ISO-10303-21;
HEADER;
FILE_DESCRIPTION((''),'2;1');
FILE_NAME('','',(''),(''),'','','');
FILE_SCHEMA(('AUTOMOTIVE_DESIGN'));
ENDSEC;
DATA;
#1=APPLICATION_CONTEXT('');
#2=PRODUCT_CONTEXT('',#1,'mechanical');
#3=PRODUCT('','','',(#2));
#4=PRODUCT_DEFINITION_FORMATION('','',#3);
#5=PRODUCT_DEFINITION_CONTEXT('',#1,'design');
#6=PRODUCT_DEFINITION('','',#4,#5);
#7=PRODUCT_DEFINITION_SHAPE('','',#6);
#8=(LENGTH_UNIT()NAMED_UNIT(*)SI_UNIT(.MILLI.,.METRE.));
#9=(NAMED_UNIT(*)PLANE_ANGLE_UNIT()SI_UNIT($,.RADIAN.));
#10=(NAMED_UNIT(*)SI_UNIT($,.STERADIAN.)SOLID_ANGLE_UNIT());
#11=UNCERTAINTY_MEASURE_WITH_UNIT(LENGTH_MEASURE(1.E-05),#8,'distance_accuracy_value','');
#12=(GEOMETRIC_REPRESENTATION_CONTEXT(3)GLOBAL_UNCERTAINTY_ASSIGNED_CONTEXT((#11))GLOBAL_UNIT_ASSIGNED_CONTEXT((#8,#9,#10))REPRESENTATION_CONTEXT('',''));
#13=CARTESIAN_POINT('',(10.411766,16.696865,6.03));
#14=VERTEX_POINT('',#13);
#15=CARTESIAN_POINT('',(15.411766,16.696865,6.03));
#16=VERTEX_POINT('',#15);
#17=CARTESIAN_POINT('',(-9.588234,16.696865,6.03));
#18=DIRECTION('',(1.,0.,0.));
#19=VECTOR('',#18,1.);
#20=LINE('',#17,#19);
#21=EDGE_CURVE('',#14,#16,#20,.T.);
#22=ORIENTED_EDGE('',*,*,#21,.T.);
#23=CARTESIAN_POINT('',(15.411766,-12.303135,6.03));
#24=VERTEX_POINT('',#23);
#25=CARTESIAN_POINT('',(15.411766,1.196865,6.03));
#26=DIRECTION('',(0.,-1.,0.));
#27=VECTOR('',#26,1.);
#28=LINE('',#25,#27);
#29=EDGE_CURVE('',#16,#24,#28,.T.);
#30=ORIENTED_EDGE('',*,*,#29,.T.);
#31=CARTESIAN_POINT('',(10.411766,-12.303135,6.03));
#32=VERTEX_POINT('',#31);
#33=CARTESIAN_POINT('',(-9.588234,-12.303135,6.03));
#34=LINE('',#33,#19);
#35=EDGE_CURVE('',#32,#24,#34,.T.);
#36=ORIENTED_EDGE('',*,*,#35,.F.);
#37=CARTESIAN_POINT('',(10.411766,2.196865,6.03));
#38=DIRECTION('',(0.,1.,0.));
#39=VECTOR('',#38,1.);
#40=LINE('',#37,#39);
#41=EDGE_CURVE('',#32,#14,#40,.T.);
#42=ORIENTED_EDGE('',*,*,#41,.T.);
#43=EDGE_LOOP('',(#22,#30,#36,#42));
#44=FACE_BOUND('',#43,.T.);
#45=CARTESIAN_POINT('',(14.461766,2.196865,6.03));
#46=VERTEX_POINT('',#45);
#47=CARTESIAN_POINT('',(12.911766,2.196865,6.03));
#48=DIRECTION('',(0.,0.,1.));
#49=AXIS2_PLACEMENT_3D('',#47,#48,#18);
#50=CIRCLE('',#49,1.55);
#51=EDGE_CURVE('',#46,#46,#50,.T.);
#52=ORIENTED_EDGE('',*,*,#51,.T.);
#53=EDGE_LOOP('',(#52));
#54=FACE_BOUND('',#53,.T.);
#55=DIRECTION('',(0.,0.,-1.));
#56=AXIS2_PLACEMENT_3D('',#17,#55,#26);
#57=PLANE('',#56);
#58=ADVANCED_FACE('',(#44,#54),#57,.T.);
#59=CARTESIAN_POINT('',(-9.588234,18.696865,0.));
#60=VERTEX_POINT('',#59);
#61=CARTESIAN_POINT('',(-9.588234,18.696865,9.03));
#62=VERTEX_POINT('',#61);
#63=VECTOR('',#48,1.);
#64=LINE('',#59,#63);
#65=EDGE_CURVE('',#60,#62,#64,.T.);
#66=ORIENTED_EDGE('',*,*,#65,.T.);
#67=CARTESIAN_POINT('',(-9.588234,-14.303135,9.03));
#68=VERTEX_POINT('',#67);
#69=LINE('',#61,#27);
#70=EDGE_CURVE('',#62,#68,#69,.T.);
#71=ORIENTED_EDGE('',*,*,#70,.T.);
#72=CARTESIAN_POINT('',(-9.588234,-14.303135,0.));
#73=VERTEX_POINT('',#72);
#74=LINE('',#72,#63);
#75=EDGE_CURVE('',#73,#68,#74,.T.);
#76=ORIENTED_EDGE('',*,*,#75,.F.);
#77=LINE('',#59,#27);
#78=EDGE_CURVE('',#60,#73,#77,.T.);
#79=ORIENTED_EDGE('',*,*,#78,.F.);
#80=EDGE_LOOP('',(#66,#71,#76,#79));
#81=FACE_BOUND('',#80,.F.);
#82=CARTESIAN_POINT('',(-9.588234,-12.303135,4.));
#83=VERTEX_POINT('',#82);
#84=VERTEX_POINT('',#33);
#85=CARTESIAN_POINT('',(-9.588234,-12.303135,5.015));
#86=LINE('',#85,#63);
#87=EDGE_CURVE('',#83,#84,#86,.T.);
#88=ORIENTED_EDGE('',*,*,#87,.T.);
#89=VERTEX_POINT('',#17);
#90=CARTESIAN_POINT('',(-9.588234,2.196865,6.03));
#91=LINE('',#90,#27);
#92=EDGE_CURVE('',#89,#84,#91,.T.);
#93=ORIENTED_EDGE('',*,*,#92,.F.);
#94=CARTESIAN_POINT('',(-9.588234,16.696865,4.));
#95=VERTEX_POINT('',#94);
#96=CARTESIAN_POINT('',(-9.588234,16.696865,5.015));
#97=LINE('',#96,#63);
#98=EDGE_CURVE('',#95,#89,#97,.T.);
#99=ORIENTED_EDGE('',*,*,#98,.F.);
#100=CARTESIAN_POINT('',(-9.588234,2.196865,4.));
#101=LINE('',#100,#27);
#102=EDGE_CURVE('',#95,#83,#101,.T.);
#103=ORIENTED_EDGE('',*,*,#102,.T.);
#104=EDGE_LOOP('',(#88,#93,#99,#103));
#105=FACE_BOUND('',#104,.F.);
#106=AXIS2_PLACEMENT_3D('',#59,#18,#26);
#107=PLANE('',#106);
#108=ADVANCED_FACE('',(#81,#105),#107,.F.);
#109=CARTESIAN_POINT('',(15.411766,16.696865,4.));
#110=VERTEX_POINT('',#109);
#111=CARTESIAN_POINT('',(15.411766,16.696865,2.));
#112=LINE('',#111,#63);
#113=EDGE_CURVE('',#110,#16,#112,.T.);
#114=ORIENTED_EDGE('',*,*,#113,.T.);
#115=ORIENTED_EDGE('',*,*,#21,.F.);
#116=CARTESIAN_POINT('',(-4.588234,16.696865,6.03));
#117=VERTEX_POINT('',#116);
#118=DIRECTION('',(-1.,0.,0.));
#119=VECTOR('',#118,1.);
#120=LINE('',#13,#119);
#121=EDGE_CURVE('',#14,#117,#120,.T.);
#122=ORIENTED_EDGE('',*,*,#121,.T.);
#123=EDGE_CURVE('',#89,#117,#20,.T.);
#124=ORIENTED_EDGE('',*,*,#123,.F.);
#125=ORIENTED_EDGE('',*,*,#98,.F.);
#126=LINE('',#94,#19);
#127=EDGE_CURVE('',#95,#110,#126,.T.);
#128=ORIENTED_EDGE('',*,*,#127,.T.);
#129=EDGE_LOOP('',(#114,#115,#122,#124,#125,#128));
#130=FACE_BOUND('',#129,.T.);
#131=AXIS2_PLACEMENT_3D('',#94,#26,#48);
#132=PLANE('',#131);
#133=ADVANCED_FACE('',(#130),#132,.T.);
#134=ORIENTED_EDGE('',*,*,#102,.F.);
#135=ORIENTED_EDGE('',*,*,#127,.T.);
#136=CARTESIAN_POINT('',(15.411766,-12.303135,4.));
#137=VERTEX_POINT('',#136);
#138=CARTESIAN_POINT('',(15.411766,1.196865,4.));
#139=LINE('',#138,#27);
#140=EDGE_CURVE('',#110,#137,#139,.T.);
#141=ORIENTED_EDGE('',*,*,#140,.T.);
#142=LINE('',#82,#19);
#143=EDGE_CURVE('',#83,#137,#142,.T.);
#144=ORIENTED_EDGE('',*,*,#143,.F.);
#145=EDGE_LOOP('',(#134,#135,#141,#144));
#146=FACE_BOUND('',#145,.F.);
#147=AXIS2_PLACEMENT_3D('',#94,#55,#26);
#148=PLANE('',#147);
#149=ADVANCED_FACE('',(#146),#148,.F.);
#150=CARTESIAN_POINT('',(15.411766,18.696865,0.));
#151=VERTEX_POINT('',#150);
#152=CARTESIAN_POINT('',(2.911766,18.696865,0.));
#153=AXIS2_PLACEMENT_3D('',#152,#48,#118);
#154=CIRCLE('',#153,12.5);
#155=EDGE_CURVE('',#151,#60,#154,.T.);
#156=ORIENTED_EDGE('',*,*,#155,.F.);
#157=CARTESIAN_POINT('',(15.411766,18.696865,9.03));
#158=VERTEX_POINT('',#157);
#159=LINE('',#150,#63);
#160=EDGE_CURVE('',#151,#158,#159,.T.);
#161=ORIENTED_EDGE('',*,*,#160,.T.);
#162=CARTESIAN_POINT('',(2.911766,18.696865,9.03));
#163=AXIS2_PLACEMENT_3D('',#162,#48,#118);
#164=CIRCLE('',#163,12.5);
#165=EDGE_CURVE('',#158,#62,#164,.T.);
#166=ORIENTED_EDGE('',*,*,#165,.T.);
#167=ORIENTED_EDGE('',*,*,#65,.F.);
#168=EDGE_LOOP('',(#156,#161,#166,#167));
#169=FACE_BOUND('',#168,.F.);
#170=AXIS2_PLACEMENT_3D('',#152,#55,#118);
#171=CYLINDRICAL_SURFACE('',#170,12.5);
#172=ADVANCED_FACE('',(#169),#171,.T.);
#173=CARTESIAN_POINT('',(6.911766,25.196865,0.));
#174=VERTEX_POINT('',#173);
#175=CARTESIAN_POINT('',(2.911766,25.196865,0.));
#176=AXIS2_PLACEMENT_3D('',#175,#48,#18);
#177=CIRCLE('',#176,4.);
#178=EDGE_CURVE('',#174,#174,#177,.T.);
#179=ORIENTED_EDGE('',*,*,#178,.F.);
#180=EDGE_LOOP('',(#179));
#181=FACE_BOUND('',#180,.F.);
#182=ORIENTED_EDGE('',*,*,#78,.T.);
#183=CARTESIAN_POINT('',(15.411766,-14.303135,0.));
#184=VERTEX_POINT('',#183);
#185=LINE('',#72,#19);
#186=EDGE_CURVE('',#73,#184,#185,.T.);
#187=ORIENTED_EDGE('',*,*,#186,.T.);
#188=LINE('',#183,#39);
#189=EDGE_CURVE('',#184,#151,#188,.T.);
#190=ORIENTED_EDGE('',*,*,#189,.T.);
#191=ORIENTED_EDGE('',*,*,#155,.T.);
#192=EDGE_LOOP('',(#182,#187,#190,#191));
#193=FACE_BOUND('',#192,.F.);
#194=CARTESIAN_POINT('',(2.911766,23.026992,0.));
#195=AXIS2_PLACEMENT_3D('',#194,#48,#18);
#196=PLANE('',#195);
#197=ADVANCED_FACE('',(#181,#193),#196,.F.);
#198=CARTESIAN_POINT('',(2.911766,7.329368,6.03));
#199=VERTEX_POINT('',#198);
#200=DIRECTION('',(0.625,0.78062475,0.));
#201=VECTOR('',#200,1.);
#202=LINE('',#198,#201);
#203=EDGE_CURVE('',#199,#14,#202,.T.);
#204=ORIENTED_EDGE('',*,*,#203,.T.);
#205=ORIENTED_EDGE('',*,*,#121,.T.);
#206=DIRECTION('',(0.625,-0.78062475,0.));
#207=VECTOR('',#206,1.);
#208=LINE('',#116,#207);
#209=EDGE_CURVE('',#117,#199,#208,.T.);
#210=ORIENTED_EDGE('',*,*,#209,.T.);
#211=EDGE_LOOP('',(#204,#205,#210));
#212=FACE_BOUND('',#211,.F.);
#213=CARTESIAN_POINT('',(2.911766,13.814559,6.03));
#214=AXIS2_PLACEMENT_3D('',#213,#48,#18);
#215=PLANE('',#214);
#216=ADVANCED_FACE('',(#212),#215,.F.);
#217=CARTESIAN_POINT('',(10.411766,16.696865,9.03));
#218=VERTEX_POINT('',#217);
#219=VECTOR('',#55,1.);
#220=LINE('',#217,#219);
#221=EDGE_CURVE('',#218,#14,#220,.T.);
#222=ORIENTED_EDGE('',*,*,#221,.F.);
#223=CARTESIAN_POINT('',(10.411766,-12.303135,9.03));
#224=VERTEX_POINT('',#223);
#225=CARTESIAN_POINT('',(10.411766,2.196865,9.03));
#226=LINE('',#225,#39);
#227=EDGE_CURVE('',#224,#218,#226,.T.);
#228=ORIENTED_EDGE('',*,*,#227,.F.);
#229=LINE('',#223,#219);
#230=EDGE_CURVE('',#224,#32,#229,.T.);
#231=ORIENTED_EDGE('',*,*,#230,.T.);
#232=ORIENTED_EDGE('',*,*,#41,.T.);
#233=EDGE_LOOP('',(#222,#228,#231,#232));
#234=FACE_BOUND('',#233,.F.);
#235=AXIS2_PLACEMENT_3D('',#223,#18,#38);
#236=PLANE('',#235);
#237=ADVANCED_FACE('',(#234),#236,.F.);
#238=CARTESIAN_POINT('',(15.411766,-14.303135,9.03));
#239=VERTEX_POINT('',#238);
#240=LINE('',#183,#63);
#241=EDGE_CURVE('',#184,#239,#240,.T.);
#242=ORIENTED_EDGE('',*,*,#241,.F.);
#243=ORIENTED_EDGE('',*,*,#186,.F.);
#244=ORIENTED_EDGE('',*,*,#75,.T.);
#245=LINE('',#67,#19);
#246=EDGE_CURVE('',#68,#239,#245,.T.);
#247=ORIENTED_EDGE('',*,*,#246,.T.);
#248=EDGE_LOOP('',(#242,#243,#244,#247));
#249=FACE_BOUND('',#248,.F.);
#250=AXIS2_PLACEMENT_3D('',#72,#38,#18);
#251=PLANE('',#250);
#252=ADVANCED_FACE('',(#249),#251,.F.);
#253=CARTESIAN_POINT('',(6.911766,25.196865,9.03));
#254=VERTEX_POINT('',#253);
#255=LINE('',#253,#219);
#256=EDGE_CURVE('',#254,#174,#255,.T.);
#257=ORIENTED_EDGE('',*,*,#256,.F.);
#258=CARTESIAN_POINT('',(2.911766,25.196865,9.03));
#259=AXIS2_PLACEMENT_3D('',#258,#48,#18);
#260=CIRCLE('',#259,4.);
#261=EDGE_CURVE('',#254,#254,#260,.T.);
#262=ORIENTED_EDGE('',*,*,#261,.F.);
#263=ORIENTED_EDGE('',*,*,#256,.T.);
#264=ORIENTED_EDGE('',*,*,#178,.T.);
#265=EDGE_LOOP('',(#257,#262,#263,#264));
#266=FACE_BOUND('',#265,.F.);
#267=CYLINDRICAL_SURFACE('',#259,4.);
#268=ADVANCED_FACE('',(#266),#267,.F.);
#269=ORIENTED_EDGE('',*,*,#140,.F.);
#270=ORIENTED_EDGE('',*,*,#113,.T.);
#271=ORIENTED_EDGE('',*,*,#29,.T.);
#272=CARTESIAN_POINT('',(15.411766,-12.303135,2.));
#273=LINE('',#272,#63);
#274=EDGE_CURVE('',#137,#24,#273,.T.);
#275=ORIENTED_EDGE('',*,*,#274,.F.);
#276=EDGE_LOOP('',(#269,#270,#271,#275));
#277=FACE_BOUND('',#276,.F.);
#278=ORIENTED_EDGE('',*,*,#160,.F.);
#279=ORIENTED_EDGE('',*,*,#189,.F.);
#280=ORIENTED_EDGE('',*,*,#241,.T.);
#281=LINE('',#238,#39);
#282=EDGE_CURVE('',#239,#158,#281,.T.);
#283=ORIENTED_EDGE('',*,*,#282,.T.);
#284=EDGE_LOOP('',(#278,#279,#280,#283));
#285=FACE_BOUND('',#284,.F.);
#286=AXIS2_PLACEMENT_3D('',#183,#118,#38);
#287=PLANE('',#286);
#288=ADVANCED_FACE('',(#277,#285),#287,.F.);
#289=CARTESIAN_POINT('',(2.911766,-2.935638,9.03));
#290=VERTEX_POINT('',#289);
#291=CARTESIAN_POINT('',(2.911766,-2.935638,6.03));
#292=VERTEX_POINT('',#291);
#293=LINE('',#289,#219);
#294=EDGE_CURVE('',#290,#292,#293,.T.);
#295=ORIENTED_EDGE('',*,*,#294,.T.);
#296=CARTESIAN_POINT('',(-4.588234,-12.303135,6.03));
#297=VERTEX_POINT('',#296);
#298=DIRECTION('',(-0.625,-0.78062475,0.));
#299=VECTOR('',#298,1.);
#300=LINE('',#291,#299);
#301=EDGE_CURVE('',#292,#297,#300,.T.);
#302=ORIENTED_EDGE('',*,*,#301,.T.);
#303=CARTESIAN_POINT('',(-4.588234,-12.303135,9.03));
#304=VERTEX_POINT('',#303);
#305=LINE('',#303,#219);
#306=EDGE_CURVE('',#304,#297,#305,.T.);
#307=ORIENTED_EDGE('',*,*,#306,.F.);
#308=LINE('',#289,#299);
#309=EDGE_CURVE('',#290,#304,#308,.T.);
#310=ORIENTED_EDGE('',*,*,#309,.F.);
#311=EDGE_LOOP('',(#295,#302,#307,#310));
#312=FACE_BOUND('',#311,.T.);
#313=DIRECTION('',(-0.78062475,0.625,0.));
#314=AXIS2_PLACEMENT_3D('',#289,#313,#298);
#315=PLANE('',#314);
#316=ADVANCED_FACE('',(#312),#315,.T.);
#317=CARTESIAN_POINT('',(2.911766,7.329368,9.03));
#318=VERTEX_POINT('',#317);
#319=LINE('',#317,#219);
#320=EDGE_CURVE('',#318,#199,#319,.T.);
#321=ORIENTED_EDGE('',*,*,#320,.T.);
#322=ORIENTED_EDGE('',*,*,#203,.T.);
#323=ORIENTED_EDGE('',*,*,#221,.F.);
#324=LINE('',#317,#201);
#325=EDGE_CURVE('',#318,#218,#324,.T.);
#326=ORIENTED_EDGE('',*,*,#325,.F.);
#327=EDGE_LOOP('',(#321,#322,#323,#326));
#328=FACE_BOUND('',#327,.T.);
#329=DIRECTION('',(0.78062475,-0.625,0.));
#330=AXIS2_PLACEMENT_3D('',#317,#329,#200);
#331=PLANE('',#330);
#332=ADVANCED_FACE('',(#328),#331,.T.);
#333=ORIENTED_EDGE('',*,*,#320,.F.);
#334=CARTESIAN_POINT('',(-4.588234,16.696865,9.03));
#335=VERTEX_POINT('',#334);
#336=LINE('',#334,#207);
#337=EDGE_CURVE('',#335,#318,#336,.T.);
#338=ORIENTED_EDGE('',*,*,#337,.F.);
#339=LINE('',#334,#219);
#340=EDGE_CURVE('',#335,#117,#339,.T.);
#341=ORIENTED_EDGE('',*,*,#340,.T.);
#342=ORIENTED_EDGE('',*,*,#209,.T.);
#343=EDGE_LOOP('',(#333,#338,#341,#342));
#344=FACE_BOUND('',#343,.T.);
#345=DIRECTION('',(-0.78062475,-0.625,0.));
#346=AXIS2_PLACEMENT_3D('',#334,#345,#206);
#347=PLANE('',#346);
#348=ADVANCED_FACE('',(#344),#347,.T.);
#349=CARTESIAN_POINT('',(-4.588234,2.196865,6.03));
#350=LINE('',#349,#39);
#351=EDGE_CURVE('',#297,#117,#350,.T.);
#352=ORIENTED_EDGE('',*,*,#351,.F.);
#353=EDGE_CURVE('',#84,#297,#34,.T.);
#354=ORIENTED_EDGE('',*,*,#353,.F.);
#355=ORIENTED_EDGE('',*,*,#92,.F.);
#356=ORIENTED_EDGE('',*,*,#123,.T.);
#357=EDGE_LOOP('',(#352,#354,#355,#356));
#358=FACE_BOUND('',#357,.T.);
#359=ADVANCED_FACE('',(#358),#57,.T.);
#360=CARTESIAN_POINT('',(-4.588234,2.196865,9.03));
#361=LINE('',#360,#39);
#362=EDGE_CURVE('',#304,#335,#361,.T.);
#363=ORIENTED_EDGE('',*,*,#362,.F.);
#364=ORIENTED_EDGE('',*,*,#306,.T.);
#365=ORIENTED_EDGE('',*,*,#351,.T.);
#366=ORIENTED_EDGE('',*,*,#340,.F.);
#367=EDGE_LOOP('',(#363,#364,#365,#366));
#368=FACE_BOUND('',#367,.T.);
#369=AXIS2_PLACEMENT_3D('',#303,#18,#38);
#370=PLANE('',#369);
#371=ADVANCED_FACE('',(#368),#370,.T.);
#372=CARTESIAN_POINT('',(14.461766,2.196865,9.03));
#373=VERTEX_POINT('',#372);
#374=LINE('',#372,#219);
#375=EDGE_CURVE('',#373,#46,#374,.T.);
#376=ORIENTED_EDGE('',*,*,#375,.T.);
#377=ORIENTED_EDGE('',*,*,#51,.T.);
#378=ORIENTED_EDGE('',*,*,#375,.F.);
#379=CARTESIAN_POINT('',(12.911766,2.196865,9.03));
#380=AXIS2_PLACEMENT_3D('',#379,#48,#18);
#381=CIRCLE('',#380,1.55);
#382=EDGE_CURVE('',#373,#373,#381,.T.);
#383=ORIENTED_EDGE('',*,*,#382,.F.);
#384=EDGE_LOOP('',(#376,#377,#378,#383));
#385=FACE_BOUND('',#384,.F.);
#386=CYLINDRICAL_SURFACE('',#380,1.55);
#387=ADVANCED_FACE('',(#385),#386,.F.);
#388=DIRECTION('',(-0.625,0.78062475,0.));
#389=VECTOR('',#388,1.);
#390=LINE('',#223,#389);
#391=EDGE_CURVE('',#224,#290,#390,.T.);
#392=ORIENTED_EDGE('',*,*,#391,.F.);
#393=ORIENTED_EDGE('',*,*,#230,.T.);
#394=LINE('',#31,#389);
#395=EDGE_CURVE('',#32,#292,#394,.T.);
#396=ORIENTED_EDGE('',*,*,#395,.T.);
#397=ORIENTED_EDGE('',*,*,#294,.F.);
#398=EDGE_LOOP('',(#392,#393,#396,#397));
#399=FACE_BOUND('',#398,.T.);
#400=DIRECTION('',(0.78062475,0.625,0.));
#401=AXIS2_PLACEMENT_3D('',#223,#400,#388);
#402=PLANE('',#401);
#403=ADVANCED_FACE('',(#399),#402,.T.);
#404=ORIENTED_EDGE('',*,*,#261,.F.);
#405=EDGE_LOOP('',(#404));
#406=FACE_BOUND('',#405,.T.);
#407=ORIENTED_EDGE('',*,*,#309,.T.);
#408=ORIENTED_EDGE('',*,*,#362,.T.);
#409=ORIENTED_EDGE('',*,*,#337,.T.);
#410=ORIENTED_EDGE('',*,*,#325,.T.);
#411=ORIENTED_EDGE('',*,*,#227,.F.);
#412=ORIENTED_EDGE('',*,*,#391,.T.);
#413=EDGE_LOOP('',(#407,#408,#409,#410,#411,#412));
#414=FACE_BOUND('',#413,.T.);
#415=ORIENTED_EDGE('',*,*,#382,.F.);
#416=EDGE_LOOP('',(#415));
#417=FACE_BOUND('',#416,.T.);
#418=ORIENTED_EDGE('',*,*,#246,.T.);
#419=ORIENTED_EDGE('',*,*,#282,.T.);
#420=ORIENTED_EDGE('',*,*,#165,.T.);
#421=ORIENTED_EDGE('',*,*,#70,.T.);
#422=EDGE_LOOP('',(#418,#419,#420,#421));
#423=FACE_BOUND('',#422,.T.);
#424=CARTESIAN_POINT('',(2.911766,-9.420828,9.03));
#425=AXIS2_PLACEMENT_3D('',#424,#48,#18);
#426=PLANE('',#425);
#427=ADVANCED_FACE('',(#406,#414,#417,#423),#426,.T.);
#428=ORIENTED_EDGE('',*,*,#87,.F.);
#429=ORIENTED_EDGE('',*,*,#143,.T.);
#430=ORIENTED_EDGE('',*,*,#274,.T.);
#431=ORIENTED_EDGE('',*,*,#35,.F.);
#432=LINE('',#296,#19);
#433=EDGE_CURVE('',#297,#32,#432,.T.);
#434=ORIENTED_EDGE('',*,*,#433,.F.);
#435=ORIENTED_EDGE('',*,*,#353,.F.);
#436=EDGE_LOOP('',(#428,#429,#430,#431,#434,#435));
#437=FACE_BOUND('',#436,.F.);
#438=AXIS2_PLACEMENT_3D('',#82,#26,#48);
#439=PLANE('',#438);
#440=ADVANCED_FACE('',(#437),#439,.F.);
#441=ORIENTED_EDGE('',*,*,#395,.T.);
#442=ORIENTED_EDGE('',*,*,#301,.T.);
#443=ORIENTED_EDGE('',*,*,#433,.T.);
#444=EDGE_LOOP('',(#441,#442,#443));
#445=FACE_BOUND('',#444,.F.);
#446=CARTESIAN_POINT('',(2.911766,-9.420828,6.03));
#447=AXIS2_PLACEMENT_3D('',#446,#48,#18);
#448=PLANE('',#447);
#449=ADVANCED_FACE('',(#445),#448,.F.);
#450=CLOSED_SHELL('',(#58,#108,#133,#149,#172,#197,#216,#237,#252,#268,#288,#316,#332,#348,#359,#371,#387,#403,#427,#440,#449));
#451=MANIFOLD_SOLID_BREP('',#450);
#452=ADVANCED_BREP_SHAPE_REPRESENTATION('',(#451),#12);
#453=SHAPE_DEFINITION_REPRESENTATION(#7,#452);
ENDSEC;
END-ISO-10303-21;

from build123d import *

# Parameters (mm, degrees)
F1_DEPTH  = 9.03
F2_W      = 29
F2_H      = 2.03
F3_DEPTH  = 25.001
F4_W      = 15
F4_H      = 29
F5_DEPTH  = 3
F7_DEPTH  = 3
F8_R      = 1.55
F9_DEPTH  = 3
F10_R     = 4
F11_DEPTH = 9.031


with BuildPart() as f1:
    # F0 (on Top) → F1 (new body)
    with BuildSketch(Plane.XY):
        with BuildLine():
            ThreePointArc((15.4117660597, 18.6968654121), (2.9117660597, 31.1968654121), (-9.5882339403, 18.6968654121))
            Line((-9.5882339403, 18.6968654121), (15.4117660597, 18.6968654121))
        make_face()
        with BuildLine():
            Line((15.4117660597, 18.6968654121), (-9.5882339403, 18.6968654121))
            ThreePointArc((-9.5882339403, 18.6968654121), (2.9117660597, 6.1968654121), (15.4117660597, 18.6968654121))
        make_face()
        with BuildLine():
            ThreePointArc((15.4117660597, 18.6968654121), (2.9117660597, 6.1968654121), (-9.5882339403, 18.6968654121))
            Line((-9.5882339403, 18.6968654121), (-9.5882339403, -14.3031345879))
            Line((-9.5882339403, -14.3031345879), (15.4117660597, -14.3031345879))
            Line((15.4117660597, -14.3031345879), (15.4117660597, 18.6968654121))
        make_face()
    extrude(amount=F1_DEPTH)

    # F2 (on face) → F3 (cut, through all)
    with BuildSketch(Plane(origin=(-9.5882339403, 0, 0), x_dir=(0, -1, 0), z_dir=(-1, 0, 0))):
        with Locations((-2.1968654121, 5.015)):
            Rectangle(F2_W, F2_H)
    extrude(amount=-F3_DEPTH, mode=Mode.SUBTRACT)

    # F4 (on face) → F5 (cut, through all)
    with BuildSketch(Plane.XY.offset(9.03)):
        with Locations((2.9117660597, 2.1968654121)):
            Rectangle(F4_W, F4_H)
    extrude(amount=-F5_DEPTH, mode=Mode.SUBTRACT)

    # F6 (on face) → F7 (join)
    with BuildSketch(Plane.XY.offset(9.03)):
        Polygon((2.9117660597, -2.9356375903), (-4.5882339403, -12.3031345879), (10.4117660597, -12.3031345879), align=None)
        Polygon((10.4117660597, 16.6968654121), (-4.5882339403, 16.6968654121), (2.9117660597, 7.3293684145), align=None)
    extrude(amount=-F7_DEPTH)

    # F8 (on face) → F9 (cut, through all)
    with BuildSketch(Plane.XY.offset(9.03)):
        with Locations((12.9117660597, 2.1968654121)):
            Circle(F8_R)
    extrude(amount=-F9_DEPTH, mode=Mode.SUBTRACT)

    # F10 (on face) → F11 (cut, through all)
    with BuildSketch(Plane.XY.offset(9.03)):
        with Locations((2.9117660597, 25.1968654121)):
            Circle(F10_R)
    extrude(amount=-F11_DEPTH, mode=Mode.SUBTRACT)


solid = f1.part
